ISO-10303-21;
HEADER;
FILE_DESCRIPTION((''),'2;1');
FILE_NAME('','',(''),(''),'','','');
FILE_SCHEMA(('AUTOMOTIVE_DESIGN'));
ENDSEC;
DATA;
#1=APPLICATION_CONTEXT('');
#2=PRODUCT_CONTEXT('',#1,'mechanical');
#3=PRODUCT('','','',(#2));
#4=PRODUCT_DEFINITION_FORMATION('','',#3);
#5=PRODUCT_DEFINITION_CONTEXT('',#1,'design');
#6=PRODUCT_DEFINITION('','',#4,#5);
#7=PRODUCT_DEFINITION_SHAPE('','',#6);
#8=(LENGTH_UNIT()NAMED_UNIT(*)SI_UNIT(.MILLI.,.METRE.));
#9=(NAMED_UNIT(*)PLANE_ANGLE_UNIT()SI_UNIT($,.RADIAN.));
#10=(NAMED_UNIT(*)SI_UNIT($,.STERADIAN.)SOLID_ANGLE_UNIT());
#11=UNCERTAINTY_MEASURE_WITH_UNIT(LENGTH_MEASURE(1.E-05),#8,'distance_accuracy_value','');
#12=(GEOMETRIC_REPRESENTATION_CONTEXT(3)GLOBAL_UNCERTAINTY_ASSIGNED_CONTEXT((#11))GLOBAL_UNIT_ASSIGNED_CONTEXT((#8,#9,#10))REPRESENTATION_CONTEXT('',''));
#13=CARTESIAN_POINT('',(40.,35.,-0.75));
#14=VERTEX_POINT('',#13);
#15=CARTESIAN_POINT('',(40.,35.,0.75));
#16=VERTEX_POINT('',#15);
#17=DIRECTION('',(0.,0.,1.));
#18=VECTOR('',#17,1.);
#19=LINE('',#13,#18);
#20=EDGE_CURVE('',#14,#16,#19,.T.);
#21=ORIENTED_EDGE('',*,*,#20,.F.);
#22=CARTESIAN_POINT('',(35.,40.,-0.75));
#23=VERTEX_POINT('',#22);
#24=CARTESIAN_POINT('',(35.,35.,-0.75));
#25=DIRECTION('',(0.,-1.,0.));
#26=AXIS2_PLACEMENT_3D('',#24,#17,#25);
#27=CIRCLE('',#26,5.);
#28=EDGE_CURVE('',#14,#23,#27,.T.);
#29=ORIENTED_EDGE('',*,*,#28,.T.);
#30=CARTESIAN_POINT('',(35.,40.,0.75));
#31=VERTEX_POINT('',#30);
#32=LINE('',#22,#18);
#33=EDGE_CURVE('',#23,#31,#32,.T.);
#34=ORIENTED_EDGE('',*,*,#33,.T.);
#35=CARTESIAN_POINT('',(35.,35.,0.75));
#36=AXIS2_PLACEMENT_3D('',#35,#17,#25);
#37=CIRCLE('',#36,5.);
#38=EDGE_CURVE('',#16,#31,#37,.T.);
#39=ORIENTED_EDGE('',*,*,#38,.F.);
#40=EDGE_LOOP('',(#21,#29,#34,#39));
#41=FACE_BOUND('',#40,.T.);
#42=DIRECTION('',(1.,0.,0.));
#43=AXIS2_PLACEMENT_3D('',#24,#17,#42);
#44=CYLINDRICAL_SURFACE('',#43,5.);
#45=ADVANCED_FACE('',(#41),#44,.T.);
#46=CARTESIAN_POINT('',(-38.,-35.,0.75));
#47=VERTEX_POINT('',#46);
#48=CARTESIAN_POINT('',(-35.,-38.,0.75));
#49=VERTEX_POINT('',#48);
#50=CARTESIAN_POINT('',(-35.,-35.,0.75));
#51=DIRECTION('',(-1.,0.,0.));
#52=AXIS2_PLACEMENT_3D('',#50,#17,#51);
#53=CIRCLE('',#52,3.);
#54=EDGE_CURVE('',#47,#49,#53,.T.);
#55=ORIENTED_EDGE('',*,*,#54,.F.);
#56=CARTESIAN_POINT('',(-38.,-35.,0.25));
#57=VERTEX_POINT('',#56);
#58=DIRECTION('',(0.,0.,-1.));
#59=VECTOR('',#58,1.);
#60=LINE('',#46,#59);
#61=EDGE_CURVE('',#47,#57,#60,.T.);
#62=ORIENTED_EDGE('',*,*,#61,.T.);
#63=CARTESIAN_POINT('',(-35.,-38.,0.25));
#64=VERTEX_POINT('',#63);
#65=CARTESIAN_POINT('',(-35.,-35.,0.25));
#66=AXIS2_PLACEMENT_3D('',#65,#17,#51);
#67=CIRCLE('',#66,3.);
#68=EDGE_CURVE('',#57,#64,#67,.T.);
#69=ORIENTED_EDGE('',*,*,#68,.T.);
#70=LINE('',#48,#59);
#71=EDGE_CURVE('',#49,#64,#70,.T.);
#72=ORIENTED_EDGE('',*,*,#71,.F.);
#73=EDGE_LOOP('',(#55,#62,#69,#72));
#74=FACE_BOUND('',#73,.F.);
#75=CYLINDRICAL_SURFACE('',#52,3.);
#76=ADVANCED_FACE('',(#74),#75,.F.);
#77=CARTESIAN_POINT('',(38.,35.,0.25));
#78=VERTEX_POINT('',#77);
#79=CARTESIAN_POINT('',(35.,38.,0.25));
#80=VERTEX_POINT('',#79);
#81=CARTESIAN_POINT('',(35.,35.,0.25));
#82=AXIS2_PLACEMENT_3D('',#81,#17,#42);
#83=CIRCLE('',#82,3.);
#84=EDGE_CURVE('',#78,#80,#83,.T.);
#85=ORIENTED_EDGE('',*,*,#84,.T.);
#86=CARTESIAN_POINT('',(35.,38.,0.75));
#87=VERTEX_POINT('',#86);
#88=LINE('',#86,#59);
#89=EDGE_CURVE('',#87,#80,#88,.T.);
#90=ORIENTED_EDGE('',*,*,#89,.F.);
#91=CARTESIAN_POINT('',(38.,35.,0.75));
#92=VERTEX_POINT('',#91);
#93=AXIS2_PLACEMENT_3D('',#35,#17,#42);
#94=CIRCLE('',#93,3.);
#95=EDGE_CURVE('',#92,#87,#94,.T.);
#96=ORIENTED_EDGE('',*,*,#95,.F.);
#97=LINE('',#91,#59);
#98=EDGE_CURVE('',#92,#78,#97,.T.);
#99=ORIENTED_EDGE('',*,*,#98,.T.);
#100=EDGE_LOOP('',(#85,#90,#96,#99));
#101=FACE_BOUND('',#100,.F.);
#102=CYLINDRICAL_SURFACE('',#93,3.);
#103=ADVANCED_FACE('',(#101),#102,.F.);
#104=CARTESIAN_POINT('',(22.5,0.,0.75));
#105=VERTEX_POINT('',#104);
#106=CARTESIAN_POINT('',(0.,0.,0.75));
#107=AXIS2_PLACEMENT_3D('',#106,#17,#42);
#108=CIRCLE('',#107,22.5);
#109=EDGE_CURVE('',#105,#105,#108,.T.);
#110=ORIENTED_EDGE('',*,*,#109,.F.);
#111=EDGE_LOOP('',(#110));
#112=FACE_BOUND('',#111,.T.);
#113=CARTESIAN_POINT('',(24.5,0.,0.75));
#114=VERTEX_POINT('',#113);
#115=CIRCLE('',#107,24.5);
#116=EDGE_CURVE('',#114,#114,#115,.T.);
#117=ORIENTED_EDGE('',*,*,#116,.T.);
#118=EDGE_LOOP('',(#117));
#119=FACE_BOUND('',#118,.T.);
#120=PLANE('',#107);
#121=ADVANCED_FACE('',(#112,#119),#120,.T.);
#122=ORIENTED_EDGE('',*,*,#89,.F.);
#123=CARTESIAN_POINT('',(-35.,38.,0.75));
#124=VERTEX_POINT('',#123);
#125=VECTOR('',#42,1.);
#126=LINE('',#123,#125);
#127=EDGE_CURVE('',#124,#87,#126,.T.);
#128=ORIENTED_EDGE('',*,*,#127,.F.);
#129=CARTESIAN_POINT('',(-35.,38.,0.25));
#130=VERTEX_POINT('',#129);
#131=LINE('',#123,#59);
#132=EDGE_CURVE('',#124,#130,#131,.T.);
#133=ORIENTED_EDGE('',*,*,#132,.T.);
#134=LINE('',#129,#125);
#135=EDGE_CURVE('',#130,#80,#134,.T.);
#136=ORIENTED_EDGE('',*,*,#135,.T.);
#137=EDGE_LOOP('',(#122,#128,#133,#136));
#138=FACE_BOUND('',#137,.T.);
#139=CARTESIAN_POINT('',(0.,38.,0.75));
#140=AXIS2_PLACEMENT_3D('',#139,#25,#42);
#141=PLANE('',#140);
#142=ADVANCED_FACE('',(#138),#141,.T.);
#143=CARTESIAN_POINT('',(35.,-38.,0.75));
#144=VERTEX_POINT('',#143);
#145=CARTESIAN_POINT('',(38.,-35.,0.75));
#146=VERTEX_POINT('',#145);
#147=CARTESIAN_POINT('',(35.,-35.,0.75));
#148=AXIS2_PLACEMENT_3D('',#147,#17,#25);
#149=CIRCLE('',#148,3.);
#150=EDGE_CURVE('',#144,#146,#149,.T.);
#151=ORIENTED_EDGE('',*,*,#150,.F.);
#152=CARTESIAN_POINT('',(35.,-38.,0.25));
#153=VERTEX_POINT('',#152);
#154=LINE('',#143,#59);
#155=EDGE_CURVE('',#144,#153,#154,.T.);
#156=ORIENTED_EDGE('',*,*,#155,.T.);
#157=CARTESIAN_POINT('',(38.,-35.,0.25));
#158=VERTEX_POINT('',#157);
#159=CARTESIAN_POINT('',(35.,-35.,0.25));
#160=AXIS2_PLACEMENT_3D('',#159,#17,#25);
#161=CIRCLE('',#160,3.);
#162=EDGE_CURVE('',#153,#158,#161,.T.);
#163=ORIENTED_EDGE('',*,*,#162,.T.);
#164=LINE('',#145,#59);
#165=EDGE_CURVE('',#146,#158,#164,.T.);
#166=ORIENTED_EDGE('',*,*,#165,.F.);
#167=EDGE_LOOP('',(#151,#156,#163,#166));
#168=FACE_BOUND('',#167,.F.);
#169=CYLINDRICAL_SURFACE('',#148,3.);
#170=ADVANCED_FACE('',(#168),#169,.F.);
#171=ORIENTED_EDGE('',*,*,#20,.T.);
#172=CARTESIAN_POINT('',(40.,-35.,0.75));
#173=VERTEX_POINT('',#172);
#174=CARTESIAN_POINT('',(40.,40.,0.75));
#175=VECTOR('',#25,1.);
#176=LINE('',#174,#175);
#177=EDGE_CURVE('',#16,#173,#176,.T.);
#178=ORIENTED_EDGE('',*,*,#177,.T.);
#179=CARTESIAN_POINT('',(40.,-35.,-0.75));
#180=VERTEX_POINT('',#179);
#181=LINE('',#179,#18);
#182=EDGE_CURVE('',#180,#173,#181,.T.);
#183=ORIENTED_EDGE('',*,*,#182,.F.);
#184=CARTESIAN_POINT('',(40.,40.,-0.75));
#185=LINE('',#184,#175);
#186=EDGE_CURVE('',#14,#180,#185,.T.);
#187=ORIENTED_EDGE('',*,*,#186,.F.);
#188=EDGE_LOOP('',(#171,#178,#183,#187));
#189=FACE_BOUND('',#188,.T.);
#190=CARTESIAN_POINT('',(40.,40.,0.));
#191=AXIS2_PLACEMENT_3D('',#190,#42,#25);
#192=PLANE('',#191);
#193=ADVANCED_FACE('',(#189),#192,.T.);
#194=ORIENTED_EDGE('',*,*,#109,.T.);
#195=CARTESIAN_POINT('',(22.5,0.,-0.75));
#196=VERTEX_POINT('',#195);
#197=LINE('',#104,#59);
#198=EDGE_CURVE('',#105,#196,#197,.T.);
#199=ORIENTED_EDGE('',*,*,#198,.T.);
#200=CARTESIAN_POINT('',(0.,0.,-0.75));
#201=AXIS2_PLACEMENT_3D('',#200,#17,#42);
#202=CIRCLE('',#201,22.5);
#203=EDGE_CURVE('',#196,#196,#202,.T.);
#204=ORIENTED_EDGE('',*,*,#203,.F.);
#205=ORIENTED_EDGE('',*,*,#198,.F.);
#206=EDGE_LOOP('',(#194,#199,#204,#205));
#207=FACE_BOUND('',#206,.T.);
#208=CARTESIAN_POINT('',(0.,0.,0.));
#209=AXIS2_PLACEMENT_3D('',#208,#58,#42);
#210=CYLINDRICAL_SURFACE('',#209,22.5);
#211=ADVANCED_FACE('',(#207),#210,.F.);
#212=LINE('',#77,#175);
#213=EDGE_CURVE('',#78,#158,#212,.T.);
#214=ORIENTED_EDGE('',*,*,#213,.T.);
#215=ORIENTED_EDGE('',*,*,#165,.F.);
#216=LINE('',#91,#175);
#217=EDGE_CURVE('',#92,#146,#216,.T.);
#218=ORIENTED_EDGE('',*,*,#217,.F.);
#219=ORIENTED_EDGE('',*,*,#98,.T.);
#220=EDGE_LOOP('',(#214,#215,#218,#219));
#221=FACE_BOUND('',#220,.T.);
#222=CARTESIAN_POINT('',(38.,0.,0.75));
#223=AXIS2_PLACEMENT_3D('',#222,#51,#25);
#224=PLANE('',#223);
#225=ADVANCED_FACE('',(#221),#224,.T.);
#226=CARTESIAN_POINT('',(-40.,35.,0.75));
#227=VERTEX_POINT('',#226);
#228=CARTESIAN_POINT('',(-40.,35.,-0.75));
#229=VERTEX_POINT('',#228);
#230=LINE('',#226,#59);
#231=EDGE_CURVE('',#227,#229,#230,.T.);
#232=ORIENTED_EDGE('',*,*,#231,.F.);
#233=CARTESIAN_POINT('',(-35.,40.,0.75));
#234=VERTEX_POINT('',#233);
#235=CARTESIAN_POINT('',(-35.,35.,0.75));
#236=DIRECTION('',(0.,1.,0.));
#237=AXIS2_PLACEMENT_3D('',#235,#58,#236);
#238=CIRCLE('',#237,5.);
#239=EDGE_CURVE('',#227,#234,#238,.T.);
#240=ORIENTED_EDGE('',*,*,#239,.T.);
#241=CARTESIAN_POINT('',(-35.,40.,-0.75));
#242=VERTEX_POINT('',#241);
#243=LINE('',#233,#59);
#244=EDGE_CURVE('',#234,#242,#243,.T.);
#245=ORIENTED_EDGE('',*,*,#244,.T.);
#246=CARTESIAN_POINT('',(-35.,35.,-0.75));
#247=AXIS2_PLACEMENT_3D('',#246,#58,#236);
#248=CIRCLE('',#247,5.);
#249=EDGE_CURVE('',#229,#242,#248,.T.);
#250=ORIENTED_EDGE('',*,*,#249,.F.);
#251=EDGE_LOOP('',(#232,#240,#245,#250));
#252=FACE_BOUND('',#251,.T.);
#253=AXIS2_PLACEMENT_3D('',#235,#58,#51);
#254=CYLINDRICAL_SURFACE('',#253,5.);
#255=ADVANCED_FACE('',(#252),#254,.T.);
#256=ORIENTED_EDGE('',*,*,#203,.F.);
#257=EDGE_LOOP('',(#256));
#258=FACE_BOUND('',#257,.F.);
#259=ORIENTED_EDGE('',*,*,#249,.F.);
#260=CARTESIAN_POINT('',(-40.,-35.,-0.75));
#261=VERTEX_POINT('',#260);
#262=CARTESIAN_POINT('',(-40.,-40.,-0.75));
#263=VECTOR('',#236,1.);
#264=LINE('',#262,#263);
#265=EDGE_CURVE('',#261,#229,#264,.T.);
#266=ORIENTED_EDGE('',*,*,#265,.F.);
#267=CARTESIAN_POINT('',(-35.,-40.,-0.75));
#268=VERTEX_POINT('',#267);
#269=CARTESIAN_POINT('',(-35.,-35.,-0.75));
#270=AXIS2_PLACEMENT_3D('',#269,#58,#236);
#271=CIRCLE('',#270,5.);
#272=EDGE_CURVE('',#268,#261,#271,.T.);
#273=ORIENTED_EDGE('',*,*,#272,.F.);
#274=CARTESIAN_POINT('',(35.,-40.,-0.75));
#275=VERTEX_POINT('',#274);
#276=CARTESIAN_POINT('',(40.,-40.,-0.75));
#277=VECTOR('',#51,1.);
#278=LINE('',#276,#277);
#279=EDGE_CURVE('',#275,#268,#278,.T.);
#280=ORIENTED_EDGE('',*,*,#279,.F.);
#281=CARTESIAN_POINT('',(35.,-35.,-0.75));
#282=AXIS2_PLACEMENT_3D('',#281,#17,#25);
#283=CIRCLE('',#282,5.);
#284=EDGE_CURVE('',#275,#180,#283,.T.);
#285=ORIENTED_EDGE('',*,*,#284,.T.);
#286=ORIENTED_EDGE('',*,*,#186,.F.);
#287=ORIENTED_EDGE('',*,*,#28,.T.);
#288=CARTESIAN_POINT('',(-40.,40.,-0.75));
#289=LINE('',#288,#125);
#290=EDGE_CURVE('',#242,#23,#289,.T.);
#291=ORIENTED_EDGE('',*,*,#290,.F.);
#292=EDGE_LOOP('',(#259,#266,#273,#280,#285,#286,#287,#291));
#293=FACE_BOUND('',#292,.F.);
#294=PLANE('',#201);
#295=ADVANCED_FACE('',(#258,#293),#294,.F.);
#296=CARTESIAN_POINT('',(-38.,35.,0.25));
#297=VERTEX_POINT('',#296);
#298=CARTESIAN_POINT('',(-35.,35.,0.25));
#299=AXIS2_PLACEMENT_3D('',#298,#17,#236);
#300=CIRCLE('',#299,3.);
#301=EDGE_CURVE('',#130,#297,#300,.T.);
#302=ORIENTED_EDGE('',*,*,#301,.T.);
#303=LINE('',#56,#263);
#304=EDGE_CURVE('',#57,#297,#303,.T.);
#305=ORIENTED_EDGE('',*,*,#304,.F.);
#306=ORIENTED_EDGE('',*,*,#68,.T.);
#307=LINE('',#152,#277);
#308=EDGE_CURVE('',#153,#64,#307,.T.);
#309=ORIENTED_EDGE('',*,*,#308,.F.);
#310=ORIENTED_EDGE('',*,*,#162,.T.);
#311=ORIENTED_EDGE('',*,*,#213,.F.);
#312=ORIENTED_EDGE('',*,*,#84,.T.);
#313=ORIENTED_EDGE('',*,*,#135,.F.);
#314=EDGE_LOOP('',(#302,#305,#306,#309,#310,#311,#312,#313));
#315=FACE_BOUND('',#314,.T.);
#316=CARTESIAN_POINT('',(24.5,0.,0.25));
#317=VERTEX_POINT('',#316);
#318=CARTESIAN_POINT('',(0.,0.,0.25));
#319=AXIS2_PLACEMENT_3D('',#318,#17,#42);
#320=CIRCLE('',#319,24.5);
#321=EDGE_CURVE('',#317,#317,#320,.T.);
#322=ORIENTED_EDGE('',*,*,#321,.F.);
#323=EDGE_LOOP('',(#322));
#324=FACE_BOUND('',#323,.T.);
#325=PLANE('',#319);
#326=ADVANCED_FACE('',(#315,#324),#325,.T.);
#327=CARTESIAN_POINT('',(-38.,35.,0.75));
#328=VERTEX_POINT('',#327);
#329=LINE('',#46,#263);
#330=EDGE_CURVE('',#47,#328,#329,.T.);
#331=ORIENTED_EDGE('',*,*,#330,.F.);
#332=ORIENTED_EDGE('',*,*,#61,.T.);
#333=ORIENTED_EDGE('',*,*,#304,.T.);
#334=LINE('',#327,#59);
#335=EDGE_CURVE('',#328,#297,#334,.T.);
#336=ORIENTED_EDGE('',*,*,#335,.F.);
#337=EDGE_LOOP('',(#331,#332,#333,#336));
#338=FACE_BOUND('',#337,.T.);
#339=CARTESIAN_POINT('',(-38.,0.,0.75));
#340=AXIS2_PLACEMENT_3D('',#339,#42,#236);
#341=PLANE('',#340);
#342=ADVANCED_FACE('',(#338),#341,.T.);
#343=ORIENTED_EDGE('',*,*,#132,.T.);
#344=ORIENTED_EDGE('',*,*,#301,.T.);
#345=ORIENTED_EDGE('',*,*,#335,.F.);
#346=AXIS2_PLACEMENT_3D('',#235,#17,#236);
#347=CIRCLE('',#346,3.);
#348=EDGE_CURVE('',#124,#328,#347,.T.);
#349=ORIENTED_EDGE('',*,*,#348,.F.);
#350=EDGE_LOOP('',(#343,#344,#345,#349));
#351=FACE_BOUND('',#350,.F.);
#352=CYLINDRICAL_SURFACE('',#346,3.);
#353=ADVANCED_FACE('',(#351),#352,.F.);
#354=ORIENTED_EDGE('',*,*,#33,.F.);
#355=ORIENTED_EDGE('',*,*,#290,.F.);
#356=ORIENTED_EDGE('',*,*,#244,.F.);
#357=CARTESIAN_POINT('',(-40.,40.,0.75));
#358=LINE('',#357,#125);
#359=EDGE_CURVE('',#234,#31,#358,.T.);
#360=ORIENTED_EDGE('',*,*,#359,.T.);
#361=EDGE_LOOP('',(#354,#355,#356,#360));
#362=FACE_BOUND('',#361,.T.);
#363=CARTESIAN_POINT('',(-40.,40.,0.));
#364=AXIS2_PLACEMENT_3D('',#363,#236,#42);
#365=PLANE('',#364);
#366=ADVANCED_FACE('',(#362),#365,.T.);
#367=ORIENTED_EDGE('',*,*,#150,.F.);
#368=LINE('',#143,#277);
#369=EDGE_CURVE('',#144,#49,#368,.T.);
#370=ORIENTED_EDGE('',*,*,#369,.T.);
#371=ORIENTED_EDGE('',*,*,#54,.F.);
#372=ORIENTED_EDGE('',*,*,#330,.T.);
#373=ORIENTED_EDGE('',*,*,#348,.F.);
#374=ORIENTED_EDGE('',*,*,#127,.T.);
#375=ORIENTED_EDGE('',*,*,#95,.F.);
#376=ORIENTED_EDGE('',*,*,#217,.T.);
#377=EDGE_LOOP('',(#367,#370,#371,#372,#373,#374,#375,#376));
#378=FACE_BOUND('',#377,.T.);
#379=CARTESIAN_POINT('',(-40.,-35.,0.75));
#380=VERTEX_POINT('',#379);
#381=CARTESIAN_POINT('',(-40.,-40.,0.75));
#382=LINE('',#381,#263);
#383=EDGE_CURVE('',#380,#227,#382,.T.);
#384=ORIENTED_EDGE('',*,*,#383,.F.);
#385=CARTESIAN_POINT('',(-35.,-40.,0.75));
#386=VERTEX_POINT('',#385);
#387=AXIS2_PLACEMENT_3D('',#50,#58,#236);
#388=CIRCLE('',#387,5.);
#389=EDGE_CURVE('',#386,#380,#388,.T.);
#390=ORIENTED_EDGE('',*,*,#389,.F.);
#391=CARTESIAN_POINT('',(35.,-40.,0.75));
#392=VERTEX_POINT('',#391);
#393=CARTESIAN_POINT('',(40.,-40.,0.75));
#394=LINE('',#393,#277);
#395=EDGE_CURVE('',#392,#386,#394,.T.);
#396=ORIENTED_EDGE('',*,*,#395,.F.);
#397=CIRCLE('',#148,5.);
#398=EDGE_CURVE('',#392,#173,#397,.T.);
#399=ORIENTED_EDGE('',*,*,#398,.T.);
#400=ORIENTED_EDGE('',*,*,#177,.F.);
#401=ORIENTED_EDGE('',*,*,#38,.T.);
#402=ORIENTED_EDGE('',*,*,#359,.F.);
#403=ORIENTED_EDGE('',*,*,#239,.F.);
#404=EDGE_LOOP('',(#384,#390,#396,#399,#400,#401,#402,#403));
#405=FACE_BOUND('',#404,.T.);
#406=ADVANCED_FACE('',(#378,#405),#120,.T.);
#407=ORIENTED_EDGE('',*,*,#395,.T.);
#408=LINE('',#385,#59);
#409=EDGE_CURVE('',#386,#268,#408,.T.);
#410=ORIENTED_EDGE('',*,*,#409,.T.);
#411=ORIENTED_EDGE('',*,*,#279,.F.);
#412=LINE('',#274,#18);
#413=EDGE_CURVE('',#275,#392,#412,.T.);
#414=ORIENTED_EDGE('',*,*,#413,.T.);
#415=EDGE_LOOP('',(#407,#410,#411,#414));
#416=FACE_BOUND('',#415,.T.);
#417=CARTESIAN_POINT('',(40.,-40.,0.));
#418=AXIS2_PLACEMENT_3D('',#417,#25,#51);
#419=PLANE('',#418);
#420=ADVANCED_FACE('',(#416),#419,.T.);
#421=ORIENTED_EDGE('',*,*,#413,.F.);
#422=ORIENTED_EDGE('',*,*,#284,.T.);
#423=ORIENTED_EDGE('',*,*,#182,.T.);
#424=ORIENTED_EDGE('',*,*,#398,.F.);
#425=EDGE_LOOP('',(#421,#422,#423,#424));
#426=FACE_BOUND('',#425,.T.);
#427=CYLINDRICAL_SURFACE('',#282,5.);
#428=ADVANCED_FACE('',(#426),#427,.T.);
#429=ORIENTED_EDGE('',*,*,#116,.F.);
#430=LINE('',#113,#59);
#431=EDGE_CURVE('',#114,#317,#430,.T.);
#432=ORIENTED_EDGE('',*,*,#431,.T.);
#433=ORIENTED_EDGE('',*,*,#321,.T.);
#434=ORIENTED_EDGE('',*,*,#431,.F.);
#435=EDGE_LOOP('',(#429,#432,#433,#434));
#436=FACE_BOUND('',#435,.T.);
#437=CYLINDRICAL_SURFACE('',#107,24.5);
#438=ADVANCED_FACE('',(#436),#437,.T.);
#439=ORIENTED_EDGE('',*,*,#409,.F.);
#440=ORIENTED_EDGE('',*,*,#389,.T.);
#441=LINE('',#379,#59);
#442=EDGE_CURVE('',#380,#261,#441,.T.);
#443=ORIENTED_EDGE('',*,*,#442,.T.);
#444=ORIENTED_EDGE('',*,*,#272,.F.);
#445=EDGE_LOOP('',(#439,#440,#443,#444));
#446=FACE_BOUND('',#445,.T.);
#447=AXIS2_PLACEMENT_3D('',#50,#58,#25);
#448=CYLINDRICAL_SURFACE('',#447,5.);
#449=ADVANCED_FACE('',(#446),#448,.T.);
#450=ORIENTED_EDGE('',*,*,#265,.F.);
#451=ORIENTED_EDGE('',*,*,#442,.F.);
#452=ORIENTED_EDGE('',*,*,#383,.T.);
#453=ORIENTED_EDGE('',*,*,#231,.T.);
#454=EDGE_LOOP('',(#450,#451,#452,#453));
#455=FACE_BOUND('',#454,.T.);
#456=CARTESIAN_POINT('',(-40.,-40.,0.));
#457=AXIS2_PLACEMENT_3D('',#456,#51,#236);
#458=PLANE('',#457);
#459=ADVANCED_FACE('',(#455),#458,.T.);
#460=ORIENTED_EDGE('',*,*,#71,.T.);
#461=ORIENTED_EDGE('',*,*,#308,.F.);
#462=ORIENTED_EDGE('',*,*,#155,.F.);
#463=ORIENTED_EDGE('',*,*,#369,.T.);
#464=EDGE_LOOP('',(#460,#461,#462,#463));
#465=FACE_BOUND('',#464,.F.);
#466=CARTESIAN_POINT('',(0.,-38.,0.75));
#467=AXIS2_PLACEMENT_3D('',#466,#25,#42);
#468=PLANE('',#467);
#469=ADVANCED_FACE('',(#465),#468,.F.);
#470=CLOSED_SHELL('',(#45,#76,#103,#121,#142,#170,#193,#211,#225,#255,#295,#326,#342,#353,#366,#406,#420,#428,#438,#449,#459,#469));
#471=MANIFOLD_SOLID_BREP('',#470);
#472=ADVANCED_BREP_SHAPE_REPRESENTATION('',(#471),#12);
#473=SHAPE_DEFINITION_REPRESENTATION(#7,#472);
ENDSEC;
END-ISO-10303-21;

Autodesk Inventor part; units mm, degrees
ref_plane "YZ Plane" through (0, 0, 0) normal (1, 0, 0) x (0, 1, 0)
ref_plane "XZ Plane" through (0, 0, 0) normal (0, 1, 0) x (-1, 0, 0)
ref_plane "XY Plane" through (0, 0, 0) normal (0, 0, 1) x (1, 0, 0)
sketch "Schizzo1" plane through (0, 0, 0) normal (0, 0, 1) x (1, 0, 0)
  line L0 (40, -40) -> (-40, -40)
  line L1 (-40, -40) -> (-40, 40)
  line L2 (-40, 40) -> (40, 40)
  line L3 (40, 40) -> (40, -40)
  line L4 (40, -40) -> (-40, 40) construction
  line L5 (-40, -40) -> (40, 40) construction
  circle A0 centre (0, 0) radius 22.5
  dimension "d0" = 80
  dimension "d1" = 80
  dimension "d2" = 45
extrude "Estrusione1" add sketch "Schizzo1" along normal mid plane 1.5
fillet "Raccordo1" radius 5 4 edges at (40, 40, 0) (40, -40, 0) (-40, -40, 0) (-40, 40, 0)
sketch "Schizzo2" plane through (0, 0, 0.75) normal (0, 0, 1) x (1, 0, 0)
  line L0 (35, -40) -> (-35, -40) projected
  line L1 (0, -40) -> (0, -38)
  line L2 (0, -38) -> (35, -38)
  line L3 (0, -38) -> (-35, -38)
  line L4 (-40, -35) -> (-40, 35) projected
  line L5 (-40, 0) -> (-38, 0)
  line L6 (-38, 0) -> (-38, -35)
  arc A0 (-38, -35) -> (-35, -38) centre (-35, -35) ccw
  line L7 (40, 35) -> (40, -35) projected
  line L8 (0, 38) -> (35, 38)
  line L9 (0, 38) -> (-35, 38)
  line L10 (-38, 0) -> (-38, 35)
  arc A1 (-35, 38) -> (-38, 35) centre (-35, 35) ccw
  line L11 (35, 40) -> (-35, 40) projected
  line L12 (38, 0) -> (38, 35)
  arc A2 (38, 35) -> (35, 38) centre (35, 35) ccw
  line L13 (38, 0) -> (38, -35)
  arc A3 (35, -38) -> (38, -35) centre (35, -35) ccw
  circle A4 centre (0, 0) radius 24.5
  dimension "d6" = 2
  dimension "d8" = 35
  dimension "d9" = 35
  dimension "d10" = 2
  dimension "d11" = 35
extrude "Estrusione2" cut sketch "Schizzo2" against normal blind 0.5
